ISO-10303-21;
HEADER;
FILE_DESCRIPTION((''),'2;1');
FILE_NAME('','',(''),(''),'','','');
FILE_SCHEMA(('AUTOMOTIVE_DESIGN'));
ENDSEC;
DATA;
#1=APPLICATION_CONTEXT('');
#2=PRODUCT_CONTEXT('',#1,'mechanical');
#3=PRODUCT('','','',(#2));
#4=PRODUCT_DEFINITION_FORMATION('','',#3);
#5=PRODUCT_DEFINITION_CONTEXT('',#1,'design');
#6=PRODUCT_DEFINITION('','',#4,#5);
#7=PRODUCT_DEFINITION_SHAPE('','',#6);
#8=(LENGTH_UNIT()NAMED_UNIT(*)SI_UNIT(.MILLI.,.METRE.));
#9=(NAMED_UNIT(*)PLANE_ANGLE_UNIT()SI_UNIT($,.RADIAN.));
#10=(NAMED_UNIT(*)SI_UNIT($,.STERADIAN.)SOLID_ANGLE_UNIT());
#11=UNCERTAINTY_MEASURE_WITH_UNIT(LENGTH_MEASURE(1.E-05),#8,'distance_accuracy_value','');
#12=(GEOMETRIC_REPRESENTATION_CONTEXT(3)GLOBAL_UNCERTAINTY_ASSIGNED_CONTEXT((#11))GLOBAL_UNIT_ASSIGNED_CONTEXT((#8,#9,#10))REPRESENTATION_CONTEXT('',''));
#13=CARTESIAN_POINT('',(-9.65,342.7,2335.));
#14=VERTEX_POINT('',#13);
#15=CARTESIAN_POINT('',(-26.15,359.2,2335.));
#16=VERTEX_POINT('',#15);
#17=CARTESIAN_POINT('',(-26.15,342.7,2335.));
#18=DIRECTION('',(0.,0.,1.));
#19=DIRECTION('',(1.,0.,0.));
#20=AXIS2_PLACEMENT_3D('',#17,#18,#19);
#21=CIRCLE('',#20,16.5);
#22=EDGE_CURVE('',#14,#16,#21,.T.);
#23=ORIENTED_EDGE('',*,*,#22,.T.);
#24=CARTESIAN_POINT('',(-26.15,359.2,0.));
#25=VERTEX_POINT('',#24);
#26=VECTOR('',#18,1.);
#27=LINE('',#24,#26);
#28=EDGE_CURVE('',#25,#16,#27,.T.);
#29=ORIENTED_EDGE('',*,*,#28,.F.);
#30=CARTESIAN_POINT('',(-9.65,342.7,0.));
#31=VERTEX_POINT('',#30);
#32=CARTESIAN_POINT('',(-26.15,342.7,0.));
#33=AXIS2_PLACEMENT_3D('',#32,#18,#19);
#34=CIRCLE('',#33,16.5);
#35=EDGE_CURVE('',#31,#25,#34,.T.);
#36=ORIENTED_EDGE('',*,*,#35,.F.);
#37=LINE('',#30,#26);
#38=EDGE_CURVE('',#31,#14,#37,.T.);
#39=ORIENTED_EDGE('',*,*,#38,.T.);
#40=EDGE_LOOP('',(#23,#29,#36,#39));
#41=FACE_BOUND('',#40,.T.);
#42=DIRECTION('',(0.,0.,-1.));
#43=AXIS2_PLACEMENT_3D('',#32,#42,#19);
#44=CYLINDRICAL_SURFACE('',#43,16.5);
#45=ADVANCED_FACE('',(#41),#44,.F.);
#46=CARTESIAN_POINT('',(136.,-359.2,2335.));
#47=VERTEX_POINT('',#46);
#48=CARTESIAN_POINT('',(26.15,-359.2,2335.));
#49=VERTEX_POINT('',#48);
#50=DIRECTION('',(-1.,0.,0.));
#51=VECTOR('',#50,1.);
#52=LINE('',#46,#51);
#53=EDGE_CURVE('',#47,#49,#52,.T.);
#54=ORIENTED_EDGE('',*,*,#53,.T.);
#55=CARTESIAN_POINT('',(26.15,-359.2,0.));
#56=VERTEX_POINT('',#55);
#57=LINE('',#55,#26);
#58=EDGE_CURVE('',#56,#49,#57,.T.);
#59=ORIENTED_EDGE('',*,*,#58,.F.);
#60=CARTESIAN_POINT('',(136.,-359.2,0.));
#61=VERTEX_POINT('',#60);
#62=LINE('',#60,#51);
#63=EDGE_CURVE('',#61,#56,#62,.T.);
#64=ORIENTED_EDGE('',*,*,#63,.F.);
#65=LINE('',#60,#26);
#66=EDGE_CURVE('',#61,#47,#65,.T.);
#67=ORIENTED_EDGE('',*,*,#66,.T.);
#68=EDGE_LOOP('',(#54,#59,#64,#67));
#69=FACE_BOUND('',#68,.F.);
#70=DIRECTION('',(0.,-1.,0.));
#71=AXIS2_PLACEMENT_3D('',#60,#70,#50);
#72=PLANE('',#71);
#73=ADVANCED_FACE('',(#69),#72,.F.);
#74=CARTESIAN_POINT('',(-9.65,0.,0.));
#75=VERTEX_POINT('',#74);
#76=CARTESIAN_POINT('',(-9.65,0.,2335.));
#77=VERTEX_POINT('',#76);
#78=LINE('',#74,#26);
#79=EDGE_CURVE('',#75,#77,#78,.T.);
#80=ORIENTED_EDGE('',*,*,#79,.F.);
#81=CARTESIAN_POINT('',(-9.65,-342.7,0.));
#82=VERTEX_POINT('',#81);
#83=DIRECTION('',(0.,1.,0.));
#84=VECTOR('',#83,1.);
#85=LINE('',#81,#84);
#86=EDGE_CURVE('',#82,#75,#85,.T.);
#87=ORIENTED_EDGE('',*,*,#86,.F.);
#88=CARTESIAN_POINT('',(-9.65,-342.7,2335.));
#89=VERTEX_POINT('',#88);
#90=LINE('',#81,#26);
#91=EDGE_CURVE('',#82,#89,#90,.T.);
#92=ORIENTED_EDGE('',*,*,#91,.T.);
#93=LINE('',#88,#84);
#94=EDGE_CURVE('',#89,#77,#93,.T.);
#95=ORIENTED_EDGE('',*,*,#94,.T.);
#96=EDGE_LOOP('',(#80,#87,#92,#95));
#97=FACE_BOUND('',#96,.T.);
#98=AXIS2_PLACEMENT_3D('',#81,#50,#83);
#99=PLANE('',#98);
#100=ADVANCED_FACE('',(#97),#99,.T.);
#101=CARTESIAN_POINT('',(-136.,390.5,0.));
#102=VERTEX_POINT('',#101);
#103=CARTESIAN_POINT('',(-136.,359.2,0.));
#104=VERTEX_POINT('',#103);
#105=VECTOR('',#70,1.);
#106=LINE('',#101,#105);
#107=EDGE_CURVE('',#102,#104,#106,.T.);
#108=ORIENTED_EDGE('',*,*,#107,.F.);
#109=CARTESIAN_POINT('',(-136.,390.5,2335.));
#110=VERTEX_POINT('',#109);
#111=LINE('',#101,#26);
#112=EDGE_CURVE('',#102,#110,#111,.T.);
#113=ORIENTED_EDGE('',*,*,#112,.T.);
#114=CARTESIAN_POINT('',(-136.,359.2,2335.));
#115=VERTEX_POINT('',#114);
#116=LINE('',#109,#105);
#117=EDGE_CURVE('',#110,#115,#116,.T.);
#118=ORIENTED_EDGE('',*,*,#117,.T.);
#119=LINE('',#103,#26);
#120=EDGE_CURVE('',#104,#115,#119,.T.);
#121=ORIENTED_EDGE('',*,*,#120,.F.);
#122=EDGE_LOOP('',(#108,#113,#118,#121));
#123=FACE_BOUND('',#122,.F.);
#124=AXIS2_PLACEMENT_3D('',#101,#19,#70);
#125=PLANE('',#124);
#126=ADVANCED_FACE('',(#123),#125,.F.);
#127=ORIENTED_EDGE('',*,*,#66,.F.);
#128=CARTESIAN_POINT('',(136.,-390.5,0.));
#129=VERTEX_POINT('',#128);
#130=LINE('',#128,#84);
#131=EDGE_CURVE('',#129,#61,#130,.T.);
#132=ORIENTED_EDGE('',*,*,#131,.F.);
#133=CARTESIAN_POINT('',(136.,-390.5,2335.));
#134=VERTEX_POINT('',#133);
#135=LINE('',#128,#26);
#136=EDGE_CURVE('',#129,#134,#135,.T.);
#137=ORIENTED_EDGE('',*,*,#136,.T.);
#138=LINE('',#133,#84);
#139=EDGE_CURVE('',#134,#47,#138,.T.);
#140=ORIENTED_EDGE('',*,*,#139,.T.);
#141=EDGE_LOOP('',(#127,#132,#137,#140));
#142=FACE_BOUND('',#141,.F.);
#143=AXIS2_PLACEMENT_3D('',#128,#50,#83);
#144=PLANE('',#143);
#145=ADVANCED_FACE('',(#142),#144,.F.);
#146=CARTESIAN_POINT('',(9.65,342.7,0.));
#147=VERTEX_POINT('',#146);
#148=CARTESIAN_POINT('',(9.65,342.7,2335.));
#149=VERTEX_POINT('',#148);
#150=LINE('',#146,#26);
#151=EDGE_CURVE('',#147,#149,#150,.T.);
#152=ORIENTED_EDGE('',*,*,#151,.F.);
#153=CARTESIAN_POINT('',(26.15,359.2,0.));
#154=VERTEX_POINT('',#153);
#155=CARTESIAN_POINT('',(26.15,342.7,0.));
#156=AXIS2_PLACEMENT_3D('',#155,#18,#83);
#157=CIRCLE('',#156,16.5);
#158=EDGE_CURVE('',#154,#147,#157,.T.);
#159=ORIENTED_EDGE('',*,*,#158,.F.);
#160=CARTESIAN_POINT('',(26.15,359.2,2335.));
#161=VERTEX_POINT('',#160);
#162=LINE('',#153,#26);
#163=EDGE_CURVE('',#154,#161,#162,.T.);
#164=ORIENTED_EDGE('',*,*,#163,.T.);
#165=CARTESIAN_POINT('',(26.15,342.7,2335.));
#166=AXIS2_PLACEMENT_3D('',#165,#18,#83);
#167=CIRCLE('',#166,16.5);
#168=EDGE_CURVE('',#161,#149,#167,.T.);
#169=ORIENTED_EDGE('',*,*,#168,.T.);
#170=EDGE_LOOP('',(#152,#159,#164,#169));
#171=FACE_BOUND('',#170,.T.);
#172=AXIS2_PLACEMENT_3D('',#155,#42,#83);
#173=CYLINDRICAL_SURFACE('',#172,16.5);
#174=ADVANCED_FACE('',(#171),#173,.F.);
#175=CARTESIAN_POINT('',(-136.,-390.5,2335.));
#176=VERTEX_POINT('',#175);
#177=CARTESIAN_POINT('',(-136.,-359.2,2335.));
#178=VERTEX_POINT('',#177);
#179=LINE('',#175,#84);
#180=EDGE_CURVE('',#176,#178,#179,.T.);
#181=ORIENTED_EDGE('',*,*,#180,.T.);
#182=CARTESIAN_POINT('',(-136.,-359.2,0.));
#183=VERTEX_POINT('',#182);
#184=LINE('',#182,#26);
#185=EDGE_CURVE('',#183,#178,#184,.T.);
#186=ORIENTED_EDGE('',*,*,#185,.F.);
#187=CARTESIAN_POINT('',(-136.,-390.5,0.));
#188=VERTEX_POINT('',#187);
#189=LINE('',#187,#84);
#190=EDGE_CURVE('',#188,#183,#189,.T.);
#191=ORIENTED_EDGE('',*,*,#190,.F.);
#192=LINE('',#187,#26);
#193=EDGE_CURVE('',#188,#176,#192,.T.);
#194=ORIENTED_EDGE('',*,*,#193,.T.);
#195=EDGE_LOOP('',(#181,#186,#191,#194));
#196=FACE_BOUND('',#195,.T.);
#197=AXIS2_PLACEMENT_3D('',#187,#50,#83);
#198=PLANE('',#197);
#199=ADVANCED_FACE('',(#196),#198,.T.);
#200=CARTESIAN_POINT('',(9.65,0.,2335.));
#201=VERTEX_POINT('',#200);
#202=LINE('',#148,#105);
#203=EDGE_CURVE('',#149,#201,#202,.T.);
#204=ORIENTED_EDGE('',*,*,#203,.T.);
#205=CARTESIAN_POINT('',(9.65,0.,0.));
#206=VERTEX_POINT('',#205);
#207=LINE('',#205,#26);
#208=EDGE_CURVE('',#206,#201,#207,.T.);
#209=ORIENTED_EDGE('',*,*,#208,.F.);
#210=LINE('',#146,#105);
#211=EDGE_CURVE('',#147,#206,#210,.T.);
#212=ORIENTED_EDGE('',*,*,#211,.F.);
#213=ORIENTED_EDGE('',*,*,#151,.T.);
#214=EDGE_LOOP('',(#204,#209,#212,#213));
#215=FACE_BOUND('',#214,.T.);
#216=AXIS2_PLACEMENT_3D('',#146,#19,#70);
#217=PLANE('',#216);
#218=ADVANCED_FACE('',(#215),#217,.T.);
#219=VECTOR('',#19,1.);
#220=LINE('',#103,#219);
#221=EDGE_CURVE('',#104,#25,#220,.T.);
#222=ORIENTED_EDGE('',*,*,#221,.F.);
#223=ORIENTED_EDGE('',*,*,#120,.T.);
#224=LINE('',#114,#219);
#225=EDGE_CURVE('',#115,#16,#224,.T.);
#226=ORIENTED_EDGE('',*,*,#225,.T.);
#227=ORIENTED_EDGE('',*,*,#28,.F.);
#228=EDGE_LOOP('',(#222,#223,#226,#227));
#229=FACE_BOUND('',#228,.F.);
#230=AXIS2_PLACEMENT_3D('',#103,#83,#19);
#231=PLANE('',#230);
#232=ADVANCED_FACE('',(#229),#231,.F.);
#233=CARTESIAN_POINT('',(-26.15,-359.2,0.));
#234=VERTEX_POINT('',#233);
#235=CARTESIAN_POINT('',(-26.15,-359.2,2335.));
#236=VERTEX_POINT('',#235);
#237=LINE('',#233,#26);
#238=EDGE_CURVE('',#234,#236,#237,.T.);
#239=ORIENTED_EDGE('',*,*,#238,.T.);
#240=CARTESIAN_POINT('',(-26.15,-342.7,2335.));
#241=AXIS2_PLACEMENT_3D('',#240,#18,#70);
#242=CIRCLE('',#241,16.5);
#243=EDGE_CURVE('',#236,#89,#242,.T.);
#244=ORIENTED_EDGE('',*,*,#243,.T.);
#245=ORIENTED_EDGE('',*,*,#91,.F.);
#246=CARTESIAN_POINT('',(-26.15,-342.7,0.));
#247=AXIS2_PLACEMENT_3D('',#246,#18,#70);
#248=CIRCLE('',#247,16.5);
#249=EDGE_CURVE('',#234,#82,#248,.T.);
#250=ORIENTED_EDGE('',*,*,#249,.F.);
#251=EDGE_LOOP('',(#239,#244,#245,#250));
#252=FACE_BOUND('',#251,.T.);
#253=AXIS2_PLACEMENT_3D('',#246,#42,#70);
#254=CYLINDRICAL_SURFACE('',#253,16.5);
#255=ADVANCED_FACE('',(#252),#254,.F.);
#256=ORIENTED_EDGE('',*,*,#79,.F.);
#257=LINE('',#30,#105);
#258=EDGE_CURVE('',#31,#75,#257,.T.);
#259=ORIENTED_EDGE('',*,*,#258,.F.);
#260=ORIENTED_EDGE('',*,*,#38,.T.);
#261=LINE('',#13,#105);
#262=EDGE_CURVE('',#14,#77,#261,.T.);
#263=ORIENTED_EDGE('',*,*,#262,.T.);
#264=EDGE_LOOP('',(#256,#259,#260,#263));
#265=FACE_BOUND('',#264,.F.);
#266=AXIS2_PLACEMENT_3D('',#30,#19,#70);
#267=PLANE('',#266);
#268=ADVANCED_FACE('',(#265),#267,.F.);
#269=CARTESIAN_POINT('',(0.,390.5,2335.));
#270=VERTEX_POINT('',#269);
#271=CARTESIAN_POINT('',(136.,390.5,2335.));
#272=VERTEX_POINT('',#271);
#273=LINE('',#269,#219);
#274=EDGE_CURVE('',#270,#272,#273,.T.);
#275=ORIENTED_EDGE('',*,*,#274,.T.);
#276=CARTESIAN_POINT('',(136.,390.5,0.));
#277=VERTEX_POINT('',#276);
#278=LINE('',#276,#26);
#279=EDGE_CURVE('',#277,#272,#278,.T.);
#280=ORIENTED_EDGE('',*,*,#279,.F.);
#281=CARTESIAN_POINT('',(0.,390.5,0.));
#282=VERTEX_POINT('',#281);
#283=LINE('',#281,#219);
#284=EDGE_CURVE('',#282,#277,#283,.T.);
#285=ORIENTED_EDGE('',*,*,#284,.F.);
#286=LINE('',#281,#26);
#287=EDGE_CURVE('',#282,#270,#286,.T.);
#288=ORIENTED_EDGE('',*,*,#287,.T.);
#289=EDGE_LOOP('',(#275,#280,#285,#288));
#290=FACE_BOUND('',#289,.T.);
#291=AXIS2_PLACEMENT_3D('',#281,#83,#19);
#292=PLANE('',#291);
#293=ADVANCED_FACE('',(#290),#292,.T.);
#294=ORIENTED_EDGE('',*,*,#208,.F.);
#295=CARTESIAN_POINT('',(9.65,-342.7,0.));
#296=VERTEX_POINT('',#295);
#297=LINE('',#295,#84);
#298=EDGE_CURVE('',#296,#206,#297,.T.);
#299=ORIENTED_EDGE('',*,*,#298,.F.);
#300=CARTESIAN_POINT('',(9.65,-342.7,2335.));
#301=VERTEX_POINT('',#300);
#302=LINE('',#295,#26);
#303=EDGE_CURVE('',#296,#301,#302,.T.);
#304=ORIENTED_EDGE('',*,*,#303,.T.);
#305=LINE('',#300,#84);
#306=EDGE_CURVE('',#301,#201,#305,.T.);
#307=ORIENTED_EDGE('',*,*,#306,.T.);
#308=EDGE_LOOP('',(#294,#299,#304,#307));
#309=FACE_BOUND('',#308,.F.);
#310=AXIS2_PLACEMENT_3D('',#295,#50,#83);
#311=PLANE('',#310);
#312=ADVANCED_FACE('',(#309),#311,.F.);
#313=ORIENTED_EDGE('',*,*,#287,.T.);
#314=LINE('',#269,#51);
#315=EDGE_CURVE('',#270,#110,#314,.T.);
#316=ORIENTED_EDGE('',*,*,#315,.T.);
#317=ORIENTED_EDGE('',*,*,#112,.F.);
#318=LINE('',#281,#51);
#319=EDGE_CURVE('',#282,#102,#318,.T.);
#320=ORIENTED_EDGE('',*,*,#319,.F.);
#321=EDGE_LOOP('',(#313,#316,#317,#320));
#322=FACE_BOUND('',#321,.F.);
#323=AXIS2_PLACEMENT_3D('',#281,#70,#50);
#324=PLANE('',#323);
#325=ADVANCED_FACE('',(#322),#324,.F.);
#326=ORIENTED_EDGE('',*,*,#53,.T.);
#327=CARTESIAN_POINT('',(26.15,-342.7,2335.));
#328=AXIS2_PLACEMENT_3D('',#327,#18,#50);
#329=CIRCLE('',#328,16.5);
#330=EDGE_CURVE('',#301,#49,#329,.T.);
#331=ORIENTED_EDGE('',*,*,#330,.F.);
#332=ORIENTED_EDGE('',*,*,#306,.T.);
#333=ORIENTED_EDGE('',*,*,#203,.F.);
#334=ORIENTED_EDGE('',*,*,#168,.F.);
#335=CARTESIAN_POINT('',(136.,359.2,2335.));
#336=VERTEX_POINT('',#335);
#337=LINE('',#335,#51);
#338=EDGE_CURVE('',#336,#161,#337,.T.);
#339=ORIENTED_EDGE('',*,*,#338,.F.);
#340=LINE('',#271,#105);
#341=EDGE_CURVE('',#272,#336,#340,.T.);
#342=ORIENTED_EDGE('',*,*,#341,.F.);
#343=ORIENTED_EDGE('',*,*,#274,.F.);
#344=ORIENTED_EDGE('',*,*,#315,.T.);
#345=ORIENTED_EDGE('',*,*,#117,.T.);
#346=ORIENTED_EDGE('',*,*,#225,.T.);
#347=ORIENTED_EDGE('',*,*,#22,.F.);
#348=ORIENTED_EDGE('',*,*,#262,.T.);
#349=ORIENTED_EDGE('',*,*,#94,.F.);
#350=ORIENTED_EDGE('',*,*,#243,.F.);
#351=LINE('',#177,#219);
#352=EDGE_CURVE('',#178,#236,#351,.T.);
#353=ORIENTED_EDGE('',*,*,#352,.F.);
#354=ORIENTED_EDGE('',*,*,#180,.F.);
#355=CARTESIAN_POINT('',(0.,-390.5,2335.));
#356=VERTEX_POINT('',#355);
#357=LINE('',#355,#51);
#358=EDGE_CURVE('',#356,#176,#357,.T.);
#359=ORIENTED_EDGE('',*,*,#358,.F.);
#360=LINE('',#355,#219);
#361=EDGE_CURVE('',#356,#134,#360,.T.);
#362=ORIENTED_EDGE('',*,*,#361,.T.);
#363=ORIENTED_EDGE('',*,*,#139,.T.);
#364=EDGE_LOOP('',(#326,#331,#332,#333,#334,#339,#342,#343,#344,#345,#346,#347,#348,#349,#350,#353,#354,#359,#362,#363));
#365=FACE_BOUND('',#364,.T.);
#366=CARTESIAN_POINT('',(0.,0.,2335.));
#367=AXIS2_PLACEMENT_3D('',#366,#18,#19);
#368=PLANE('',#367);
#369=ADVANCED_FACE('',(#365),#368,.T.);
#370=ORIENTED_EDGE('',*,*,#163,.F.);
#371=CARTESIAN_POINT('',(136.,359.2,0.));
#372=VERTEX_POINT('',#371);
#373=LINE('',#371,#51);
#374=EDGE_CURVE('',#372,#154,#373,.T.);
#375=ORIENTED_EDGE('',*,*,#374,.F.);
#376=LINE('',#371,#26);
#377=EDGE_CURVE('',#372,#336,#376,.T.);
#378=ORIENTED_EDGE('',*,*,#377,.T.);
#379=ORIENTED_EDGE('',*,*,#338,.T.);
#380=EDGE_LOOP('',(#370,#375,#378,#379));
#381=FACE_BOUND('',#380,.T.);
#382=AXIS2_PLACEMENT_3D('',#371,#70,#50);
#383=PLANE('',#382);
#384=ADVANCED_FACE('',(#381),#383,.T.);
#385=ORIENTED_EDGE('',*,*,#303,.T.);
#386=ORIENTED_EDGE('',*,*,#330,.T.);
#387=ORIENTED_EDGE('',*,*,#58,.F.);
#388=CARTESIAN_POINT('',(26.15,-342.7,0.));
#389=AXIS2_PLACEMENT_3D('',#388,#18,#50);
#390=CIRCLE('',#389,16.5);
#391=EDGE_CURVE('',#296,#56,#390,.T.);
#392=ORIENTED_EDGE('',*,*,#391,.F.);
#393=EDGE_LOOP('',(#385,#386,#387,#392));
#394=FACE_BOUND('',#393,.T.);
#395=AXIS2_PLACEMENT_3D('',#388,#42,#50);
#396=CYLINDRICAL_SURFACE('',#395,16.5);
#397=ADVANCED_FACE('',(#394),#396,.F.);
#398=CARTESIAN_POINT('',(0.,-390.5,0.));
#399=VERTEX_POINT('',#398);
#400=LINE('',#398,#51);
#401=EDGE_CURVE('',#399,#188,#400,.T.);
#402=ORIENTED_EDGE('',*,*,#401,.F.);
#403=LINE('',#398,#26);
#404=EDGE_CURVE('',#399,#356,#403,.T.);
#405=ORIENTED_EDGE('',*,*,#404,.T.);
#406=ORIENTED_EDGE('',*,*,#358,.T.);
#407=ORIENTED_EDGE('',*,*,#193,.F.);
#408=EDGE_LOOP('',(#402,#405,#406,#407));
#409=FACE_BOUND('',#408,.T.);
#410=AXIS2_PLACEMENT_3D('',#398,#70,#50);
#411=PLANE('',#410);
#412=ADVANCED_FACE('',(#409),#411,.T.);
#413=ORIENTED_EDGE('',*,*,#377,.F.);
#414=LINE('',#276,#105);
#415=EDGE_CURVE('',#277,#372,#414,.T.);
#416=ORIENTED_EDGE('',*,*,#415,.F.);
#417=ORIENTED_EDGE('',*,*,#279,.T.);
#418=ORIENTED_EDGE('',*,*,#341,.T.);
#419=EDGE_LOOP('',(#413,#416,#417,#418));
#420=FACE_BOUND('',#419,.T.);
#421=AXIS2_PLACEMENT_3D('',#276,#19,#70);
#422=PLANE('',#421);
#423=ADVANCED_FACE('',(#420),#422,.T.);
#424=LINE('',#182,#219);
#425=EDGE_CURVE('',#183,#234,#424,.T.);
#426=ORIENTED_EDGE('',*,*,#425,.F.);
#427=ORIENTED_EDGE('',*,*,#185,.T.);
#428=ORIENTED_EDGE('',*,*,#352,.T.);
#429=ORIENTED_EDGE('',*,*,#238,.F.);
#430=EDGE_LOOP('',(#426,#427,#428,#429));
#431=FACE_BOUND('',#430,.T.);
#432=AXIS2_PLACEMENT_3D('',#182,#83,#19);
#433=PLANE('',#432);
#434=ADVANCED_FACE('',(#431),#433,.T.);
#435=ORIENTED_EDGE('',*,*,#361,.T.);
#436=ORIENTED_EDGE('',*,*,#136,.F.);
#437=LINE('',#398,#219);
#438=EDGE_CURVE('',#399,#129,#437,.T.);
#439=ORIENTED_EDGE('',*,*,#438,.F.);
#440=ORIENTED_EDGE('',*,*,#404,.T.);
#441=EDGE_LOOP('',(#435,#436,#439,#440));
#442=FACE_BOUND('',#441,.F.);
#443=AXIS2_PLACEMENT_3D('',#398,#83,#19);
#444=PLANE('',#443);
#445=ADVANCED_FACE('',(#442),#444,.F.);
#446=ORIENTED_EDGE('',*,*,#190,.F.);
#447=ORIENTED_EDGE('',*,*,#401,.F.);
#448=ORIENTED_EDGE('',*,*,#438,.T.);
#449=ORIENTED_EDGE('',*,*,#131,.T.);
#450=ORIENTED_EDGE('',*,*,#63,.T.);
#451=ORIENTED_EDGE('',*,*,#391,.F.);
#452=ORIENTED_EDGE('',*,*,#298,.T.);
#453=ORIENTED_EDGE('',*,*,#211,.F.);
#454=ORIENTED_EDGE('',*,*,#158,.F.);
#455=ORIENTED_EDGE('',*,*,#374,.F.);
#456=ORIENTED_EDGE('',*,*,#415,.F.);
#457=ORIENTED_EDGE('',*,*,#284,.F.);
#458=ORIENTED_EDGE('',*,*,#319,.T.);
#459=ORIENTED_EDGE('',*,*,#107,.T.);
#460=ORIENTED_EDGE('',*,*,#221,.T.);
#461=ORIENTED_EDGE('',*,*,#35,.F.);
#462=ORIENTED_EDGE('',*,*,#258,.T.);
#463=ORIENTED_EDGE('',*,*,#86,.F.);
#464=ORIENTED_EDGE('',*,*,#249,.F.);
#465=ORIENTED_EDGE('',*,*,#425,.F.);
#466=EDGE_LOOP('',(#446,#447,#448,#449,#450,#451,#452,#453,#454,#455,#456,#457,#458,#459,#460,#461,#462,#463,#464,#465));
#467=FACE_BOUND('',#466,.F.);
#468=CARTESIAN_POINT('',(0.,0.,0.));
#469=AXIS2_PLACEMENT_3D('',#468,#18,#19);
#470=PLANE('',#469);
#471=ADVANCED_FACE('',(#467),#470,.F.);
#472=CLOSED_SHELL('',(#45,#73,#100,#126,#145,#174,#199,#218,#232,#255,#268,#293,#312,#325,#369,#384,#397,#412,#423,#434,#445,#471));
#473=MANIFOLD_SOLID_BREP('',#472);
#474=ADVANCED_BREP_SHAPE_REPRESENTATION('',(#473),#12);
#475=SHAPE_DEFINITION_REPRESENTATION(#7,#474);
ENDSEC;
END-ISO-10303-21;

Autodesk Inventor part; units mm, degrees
ref_plane "YZ Plane" through (0, 0, 0) normal (1, 0, 0) x (0, 1, 0)
ref_plane "Start plane" through (0, 0, 0) normal (0, 0, 1) x (1, 0, 0)
ref_plane "End plane" through (0, 0, 2335) normal (0, 0, 1) x (1, 0, 0)
sketch "Sketch" plane through (0, 0, 0) normal (0, 0, 1) x (1, 0, 0)
  line L0 (-136, -390.5) -> (-136, -359.2)
  line L1 (-136, -359.2) -> (-26.15, -359.2)
  line L2 (-9.65, -342.7) -> (-9.65, 0)
  line L3 (-9.65, 0) -> (0, 0) construction
  line L4 (0, 0) -> (0, -390.5) construction
  line L5 (0, -390.5) -> (-136, -390.5)
  line L6 (-60, 0) -> (80, 0) construction
  line L7 (0, -60) -> (0, 80) construction
  line L8 (136, -390.5) -> (136, -359.2)
  line L9 (136, -359.2) -> (26.15, -359.2)
  line L10 (9.65, -342.7) -> (9.65, 0)
  line L11 (9.65, 0) -> (0, 0) construction
  line L12 (0, -390.5) -> (136, -390.5)
  line L13 (-136, 390.5) -> (-136, 359.2)
  line L14 (-136, 359.2) -> (-26.15, 359.2)
  line L15 (-9.65, 342.7) -> (-9.65, 0)
  line L16 (0, 390.5) -> (-136, 390.5)
  line L17 (136, 390.5) -> (136, 359.2)
  line L18 (136, 359.2) -> (26.15, 359.2)
  line L19 (0, 390.5) -> (136, 390.5)
  line L20 (9.65, 342.7) -> (9.65, 0)
  arc A0 (-9.65, 342.7) -> (-26.15, 359.2) centre (-26.15, 342.7) ccw
  arc A1 (26.15, 359.2) -> (9.65, 342.7) centre (26.15, 342.7) ccw
  arc A2 (9.65, -342.7) -> (26.15, -359.2) centre (26.15, -342.7) ccw
  arc A3 (-26.15, -359.2) -> (-9.65, -342.7) centre (-26.15, -342.7) ccw
  line L21 (0, 108) -> (0, -88) construction
  line L22 (-88, 0) -> (108, 0) construction
  point P0 (-9.65, -359.2)
  point P1 (9.65, -359.2)
  point P2 (-9.65, 359.2)
  point P3 (9.65, 359.2)
  dimension "d1" = 390.5
  dimension "d2" = 31.3
  dimension "d3" = 136
  dimension "d4" = 9.65
  dimension "d10" = 16.5
extrude "Body" add sketch "Sketch" along normal up to surface (2335 mm away) from surface at 0
sketch "Sketch4" plane through (0, 0, 0) normal (0, 0, 1) x (1, 0, 0)
  line L0 (0, 0) -> (10, 0)
ref_plane "Work Plane3" through (0, 0, 0) normal (0, -1, 0) x (1, 0, 0)
sketch "Sketch5" plane through (0, 0, 0) normal (0, -1, 0) x (1, 0, 0)
  line L0 (-2, 0) -> (12, 0) projected
  line L1 (-2, 2335) -> (12, 2335) projected
  dimension "d14" = 2335
equation "\"d1\" = 0.5 * G_H"
equation "\"d2\" = G_T1"
equation "\"d3\" = 0.5 * G_W"
equation "\"d4\" = 0.5 * G_T"
equation "\"d10\" = G_IR"
equation "\"d5\" = G_L"
equation "\"G_W\" = 272"
equation "\"G_H\" = 781"
equation "\"G_T\" = 19.3"
equation "\"G_T1\" = 31.3"
equation "\"G_IR\" = 16.5"
equation "\"G_L\" = d14"
equation "\"G_OFFSET_START\" = 0"
equation "\"G_OFFSET_END\" = 0"
equation "\"d12\" = G_OFFSET_END + B_L"
equation "\"B_L\" = 2335"
properties part number "AS 3679-1990 - 760 UB - 244 - 2335" material "Steel, Mild"
